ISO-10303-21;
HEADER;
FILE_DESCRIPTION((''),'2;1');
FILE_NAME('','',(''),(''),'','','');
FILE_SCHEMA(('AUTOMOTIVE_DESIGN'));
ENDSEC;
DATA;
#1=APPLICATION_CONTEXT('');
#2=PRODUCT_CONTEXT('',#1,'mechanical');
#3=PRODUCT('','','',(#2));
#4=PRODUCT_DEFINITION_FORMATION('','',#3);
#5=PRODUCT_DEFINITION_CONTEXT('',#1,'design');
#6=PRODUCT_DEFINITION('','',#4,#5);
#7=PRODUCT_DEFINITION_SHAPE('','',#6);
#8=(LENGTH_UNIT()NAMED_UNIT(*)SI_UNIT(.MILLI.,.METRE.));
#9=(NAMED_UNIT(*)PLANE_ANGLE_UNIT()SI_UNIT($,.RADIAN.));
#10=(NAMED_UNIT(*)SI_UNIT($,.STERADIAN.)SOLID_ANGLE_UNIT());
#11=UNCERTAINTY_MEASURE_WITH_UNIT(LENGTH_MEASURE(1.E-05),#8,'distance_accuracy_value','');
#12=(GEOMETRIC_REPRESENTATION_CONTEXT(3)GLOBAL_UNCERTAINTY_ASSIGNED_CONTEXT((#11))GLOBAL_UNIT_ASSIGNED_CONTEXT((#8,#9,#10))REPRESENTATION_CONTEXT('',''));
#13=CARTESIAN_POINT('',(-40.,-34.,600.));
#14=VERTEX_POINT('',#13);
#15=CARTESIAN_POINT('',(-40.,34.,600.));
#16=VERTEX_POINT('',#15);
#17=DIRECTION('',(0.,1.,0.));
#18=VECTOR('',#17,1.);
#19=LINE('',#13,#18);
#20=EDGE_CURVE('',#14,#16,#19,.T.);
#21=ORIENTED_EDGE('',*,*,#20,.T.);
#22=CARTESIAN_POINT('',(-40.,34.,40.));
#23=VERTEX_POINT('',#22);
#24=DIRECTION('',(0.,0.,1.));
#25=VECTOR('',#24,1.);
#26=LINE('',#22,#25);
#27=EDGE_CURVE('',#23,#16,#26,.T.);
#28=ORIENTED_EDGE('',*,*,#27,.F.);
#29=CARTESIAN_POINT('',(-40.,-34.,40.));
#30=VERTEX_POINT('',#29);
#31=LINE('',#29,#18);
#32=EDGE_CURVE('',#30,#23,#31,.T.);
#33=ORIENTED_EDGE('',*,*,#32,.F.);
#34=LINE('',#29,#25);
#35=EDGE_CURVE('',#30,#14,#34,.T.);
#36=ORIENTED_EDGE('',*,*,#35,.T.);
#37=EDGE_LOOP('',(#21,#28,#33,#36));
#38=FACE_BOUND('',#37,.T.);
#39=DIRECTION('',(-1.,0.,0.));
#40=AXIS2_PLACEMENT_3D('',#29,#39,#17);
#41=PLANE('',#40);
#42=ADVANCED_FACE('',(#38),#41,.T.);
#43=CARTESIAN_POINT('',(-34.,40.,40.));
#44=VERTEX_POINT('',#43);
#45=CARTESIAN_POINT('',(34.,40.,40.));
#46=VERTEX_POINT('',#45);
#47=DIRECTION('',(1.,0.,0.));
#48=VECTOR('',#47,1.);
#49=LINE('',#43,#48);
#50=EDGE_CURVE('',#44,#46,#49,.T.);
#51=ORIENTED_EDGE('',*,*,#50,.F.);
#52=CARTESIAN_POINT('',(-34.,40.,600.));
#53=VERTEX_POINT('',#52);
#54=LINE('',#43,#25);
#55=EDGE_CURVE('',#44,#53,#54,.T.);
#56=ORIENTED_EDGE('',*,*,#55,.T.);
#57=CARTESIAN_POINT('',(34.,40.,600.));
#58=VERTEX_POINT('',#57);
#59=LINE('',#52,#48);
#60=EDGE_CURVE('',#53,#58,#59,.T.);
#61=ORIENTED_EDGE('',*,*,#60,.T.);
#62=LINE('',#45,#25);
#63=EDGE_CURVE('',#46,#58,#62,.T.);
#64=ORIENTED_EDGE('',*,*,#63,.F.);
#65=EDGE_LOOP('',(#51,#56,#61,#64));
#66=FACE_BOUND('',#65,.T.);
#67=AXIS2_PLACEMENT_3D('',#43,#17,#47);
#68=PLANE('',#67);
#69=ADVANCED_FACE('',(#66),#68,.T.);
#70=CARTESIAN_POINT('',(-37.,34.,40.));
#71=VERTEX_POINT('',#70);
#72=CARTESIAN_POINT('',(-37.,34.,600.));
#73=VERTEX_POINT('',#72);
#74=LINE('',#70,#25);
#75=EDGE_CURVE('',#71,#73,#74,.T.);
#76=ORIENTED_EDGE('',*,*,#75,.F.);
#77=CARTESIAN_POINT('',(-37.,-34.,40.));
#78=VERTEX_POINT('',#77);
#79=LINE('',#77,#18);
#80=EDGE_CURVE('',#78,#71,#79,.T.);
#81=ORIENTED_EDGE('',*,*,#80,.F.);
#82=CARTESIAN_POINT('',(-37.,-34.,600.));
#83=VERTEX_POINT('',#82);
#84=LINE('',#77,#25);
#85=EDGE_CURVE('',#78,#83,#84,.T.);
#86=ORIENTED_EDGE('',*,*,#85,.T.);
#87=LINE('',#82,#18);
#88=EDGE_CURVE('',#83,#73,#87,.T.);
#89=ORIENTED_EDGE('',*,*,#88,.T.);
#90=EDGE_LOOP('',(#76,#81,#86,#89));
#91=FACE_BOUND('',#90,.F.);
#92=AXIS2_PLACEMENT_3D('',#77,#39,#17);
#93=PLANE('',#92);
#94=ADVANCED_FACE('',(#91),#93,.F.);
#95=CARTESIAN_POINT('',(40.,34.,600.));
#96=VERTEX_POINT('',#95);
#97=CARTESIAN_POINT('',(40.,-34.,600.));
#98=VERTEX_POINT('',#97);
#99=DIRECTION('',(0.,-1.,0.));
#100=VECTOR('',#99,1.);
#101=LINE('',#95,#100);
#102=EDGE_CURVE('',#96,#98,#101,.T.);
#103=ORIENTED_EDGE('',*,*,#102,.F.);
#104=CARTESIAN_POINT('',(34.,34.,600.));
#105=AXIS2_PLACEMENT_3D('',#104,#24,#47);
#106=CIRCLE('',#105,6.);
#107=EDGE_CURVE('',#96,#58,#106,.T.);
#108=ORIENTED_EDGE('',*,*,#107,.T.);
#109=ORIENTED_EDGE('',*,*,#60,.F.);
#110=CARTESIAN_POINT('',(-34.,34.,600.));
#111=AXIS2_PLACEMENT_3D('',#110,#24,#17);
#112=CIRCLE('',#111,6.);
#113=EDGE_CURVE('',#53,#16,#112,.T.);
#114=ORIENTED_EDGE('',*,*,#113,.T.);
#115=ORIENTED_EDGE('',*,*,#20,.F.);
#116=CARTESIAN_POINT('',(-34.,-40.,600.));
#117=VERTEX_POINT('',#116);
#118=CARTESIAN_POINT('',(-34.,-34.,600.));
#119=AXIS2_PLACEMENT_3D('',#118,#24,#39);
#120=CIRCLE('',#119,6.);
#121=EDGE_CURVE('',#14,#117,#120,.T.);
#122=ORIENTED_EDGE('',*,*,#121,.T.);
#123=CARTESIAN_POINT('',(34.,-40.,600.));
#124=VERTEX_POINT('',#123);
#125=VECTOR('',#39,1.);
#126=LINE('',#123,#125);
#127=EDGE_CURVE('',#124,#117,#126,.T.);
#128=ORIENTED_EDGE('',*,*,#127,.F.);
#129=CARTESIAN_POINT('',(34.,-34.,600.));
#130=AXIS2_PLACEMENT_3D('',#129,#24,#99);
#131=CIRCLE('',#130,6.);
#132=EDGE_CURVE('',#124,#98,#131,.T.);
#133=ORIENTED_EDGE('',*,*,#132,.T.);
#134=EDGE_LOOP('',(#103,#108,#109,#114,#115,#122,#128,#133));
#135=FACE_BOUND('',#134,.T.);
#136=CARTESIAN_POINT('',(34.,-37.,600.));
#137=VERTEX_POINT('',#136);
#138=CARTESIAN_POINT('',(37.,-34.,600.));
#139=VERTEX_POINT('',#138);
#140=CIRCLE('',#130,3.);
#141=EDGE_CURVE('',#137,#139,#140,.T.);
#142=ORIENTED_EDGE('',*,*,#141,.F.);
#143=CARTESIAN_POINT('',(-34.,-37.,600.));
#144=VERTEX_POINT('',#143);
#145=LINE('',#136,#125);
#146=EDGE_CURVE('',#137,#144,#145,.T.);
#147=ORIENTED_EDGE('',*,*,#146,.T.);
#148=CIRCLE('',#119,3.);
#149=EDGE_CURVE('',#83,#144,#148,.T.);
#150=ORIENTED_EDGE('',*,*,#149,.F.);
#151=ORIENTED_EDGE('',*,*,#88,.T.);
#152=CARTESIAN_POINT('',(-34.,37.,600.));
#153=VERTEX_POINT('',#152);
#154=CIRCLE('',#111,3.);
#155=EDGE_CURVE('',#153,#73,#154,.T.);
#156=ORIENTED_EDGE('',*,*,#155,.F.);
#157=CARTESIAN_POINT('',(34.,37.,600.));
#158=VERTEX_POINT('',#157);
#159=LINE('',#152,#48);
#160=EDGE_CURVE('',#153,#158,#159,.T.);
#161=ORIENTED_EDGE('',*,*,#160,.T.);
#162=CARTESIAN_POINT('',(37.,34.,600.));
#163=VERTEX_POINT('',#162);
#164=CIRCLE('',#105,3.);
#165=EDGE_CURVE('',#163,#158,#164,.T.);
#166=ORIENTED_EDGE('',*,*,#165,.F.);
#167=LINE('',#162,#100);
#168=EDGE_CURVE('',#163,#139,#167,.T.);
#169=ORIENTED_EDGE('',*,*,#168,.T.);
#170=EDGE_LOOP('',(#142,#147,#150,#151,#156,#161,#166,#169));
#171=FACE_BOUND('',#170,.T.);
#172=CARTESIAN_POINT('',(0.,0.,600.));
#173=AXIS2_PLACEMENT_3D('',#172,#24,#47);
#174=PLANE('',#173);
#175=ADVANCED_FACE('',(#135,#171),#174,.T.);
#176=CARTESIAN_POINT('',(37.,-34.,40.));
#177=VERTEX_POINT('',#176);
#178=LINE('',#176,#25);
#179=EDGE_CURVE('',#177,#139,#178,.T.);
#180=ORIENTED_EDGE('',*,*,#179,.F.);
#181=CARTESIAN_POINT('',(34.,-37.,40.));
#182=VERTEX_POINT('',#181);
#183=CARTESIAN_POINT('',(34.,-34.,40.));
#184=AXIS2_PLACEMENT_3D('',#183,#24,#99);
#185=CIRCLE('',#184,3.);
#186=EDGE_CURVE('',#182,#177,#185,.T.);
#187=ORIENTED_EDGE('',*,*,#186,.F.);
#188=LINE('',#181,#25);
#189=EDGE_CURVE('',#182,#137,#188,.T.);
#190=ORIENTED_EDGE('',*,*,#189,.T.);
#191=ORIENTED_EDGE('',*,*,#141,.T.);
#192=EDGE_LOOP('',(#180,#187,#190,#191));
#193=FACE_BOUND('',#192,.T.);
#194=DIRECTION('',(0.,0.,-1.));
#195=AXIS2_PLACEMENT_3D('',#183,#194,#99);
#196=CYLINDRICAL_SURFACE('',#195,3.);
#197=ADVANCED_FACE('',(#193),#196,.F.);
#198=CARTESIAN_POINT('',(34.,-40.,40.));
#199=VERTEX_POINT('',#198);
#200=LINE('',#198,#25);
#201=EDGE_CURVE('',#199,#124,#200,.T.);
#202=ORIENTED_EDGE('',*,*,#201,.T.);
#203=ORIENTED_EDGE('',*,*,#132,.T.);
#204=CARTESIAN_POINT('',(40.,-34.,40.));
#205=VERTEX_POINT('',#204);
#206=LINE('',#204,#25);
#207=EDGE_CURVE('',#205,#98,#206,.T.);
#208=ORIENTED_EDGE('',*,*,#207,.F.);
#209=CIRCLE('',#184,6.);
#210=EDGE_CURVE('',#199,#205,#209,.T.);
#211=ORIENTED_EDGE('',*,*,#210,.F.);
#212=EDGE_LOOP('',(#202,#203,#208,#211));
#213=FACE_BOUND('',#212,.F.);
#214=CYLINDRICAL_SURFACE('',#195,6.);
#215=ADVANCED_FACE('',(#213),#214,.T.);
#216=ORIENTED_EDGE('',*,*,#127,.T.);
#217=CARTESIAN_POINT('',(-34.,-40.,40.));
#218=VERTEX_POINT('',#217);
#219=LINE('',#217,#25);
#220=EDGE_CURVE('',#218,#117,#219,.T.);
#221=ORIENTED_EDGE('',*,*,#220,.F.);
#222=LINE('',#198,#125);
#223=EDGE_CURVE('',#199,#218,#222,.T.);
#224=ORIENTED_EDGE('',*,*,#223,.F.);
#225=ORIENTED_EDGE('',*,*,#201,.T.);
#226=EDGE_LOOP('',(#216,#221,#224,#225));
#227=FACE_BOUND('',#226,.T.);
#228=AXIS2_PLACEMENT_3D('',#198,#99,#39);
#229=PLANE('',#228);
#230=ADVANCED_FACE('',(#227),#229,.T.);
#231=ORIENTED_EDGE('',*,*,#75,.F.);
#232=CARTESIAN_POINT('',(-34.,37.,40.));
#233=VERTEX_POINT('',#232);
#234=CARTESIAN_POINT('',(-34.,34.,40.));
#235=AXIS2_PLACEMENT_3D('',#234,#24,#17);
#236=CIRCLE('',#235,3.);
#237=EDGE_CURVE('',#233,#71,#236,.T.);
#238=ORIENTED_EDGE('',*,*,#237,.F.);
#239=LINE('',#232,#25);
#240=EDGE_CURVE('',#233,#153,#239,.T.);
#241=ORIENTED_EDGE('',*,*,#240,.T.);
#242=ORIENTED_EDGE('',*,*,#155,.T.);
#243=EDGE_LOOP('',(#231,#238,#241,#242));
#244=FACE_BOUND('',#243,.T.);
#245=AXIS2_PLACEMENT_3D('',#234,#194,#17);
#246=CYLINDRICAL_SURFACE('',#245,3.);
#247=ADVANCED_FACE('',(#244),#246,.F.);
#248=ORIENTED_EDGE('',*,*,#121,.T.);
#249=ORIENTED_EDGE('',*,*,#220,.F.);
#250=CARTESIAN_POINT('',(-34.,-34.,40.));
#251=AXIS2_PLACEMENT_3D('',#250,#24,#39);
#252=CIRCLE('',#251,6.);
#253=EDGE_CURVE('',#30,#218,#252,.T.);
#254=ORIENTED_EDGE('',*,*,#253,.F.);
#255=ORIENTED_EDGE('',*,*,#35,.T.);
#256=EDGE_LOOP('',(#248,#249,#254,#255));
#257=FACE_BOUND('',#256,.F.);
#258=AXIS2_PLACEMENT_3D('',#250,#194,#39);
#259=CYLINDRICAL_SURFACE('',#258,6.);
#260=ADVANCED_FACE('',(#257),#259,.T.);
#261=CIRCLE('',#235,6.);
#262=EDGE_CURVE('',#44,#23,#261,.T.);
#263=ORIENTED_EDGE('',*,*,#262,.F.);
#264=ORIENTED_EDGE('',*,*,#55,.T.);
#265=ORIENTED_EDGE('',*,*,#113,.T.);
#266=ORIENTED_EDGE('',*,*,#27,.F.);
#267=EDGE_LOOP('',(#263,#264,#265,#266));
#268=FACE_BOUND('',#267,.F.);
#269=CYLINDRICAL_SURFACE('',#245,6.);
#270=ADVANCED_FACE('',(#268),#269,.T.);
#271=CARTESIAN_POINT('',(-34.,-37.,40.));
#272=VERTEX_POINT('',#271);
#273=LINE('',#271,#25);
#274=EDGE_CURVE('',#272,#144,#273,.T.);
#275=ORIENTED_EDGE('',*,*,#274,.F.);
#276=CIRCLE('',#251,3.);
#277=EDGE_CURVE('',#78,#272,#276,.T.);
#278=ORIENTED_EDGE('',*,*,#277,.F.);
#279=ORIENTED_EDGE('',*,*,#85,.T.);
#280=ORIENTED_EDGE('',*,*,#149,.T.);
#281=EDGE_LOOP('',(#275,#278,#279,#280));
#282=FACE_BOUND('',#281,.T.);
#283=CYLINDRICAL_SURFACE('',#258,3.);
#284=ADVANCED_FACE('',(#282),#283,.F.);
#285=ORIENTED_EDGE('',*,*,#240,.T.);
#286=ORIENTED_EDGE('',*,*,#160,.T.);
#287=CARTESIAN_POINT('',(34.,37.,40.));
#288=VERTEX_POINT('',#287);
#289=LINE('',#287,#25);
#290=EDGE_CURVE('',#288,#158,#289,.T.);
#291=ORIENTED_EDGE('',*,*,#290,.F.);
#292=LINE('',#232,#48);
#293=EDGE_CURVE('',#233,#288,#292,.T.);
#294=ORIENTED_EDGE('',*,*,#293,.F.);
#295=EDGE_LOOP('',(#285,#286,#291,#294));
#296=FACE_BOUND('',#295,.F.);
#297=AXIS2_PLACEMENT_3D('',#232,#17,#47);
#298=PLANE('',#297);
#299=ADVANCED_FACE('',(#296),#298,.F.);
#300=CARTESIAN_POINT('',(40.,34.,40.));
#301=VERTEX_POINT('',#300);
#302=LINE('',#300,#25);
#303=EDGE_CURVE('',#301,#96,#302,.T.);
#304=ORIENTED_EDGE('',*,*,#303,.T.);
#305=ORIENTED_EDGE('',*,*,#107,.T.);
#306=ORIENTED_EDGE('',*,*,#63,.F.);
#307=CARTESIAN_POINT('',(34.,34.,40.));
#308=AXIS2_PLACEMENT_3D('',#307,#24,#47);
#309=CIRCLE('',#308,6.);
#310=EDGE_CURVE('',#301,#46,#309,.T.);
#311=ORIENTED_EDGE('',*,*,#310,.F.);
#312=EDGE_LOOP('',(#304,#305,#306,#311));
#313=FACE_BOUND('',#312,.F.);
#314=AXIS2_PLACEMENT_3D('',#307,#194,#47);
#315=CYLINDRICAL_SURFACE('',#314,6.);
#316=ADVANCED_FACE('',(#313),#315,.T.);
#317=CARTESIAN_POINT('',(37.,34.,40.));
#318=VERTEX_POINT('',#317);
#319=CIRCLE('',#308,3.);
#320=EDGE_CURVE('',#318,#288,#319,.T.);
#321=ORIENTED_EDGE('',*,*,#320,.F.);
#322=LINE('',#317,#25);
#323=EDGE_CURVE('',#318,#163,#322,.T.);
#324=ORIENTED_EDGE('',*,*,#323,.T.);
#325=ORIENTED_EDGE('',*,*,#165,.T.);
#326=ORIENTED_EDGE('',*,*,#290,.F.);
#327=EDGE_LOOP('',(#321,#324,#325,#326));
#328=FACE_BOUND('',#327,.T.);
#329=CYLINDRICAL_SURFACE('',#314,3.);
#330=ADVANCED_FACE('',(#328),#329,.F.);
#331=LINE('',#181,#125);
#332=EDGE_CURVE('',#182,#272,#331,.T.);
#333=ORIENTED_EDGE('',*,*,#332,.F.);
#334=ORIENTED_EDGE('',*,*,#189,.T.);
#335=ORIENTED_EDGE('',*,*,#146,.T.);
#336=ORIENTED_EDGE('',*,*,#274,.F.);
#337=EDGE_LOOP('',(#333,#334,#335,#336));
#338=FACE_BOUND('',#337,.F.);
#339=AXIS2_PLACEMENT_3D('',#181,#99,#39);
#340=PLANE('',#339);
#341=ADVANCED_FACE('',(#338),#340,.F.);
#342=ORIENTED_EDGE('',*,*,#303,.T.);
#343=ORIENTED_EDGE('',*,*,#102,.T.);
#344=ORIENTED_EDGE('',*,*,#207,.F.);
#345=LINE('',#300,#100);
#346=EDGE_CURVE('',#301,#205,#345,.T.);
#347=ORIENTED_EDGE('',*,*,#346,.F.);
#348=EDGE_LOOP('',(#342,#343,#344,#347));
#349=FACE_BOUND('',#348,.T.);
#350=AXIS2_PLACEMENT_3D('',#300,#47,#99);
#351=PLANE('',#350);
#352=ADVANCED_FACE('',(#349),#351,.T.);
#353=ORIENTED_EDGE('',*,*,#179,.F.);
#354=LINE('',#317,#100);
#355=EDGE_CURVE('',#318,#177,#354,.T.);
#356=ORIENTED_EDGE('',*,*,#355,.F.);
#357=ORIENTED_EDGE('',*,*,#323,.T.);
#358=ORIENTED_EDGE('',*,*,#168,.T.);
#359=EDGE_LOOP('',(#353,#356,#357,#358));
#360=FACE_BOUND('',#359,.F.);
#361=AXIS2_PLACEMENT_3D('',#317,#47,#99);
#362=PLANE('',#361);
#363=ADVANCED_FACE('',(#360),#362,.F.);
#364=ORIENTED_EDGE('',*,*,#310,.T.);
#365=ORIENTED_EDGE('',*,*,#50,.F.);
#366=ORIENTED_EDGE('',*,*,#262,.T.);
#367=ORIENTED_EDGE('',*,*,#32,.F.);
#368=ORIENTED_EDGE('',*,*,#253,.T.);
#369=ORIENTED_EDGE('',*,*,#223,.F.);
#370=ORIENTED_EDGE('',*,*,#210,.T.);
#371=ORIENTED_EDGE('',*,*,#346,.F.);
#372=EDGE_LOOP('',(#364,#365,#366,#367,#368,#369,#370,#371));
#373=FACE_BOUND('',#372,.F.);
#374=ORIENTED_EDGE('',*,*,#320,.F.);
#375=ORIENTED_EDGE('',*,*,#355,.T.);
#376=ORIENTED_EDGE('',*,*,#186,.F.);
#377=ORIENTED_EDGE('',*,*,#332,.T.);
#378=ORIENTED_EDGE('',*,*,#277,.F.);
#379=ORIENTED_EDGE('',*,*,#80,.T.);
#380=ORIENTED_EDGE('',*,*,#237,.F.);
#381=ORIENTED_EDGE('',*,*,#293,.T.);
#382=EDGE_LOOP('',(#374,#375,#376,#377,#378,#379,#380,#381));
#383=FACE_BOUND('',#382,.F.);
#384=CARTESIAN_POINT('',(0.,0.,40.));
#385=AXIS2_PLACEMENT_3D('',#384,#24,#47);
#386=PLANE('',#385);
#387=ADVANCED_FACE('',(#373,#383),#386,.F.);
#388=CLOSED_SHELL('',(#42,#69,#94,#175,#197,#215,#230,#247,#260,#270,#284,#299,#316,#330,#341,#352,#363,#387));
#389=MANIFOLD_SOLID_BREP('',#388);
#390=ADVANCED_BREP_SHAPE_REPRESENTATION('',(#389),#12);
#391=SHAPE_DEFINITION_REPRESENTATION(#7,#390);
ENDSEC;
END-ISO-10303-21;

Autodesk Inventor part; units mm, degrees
ref_plane "YZ Plane" through (0, 0, 0) normal (1, 0, 0) x (0, 1, 0)
ref_plane "Start Plane" through (0, 0, 40) normal (0, 0, 1) x (1, 0, 0)
ref_plane "End Plane" through (0, 0, 600) normal (0, 0, 1) x (1, 0, 0)
sketch "Sketch" plane through (0, 0, 0) normal (0, 0, 1) x (1, 0, 0)
  line L0 (-40, -34) -> (-40, 34)
  line L1 (-34, 40) -> (34, 40)
  line L2 (40, 34) -> (40, -34)
  line L3 (34, -40) -> (-34, -40)
  arc A0 (-40, -34) -> (-34, -40) centre (-34, -34) ccw
  arc A1 (40, 34) -> (34, 40) centre (34, 34) ccw
  arc A2 (-34, 40) -> (-40, 34) centre (-34, 34) ccw
  arc A3 (34, -40) -> (40, -34) centre (34, -34) ccw
  arc A4 (-34, 37) -> (-37, 34) centre (-34, 34) ccw
  line L4 (-34, 37) -> (34, 37)
  arc A5 (37, 34) -> (34, 37) centre (34, 34) ccw
  line L5 (37, 34) -> (37, -34)
  arc A6 (34, -37) -> (37, -34) centre (34, -34) ccw
  line L6 (34, -37) -> (-34, -37)
  arc A7 (-37, -34) -> (-34, -37) centre (-34, -34) ccw
  line L7 (-37, -34) -> (-37, 34)
  line L8 (0, 57.7397) -> (0, -57.7397) construction
  line L9 (-57.7397, 0) -> (57.7397, 0) construction
  dimension "d7" = 6
  dimension "d9" = 80
  dimension "d11" = 80
  dimension "d12" = 3
  dimension "d15" = 40
  dimension "d16" = 40
extrude "Body" add sketch "Sketch" along normal up to surface (560 mm away) from surface at 40
sketch "Sketch3" plane through (0, 0, 0) normal (0, 0, 1) x (1, 0, 0)
  line L0 (0, 0) -> (10, 0)
ref_plane "Work Plane3" through (0, 0, 0) normal (0, -1, 0) x (1, 0, 0)
sketch "Sketch4" plane through (0, 0, 0) normal (0, -1, 0) x (1, 0, 0)
  line L0 (-2, 40) -> (12, 40) projected
  line L1 (-2, 600) -> (12, 600) projected
  dimension "d18" = 560
equation "\"d7\" = G_IR"
equation "\"d9\" = G_W"
equation "\"d11\" = G_H"
equation "\"d12\" = G_T"
equation "\"d15\" = 0.5 * d9"
equation "\"d16\" = 0.5 * d11"
equation "\"d3\" = G_L"
equation "\"G_W\" = 80"
equation "\"G_H\" = 80"
equation "\"G_T\" = 3"
equation "\"G_IR\" = 6"
equation "\"G_L\" = d18"
properties part number "ISO 4019 - 80x80x3 - 560" material "Steel, Mild"
